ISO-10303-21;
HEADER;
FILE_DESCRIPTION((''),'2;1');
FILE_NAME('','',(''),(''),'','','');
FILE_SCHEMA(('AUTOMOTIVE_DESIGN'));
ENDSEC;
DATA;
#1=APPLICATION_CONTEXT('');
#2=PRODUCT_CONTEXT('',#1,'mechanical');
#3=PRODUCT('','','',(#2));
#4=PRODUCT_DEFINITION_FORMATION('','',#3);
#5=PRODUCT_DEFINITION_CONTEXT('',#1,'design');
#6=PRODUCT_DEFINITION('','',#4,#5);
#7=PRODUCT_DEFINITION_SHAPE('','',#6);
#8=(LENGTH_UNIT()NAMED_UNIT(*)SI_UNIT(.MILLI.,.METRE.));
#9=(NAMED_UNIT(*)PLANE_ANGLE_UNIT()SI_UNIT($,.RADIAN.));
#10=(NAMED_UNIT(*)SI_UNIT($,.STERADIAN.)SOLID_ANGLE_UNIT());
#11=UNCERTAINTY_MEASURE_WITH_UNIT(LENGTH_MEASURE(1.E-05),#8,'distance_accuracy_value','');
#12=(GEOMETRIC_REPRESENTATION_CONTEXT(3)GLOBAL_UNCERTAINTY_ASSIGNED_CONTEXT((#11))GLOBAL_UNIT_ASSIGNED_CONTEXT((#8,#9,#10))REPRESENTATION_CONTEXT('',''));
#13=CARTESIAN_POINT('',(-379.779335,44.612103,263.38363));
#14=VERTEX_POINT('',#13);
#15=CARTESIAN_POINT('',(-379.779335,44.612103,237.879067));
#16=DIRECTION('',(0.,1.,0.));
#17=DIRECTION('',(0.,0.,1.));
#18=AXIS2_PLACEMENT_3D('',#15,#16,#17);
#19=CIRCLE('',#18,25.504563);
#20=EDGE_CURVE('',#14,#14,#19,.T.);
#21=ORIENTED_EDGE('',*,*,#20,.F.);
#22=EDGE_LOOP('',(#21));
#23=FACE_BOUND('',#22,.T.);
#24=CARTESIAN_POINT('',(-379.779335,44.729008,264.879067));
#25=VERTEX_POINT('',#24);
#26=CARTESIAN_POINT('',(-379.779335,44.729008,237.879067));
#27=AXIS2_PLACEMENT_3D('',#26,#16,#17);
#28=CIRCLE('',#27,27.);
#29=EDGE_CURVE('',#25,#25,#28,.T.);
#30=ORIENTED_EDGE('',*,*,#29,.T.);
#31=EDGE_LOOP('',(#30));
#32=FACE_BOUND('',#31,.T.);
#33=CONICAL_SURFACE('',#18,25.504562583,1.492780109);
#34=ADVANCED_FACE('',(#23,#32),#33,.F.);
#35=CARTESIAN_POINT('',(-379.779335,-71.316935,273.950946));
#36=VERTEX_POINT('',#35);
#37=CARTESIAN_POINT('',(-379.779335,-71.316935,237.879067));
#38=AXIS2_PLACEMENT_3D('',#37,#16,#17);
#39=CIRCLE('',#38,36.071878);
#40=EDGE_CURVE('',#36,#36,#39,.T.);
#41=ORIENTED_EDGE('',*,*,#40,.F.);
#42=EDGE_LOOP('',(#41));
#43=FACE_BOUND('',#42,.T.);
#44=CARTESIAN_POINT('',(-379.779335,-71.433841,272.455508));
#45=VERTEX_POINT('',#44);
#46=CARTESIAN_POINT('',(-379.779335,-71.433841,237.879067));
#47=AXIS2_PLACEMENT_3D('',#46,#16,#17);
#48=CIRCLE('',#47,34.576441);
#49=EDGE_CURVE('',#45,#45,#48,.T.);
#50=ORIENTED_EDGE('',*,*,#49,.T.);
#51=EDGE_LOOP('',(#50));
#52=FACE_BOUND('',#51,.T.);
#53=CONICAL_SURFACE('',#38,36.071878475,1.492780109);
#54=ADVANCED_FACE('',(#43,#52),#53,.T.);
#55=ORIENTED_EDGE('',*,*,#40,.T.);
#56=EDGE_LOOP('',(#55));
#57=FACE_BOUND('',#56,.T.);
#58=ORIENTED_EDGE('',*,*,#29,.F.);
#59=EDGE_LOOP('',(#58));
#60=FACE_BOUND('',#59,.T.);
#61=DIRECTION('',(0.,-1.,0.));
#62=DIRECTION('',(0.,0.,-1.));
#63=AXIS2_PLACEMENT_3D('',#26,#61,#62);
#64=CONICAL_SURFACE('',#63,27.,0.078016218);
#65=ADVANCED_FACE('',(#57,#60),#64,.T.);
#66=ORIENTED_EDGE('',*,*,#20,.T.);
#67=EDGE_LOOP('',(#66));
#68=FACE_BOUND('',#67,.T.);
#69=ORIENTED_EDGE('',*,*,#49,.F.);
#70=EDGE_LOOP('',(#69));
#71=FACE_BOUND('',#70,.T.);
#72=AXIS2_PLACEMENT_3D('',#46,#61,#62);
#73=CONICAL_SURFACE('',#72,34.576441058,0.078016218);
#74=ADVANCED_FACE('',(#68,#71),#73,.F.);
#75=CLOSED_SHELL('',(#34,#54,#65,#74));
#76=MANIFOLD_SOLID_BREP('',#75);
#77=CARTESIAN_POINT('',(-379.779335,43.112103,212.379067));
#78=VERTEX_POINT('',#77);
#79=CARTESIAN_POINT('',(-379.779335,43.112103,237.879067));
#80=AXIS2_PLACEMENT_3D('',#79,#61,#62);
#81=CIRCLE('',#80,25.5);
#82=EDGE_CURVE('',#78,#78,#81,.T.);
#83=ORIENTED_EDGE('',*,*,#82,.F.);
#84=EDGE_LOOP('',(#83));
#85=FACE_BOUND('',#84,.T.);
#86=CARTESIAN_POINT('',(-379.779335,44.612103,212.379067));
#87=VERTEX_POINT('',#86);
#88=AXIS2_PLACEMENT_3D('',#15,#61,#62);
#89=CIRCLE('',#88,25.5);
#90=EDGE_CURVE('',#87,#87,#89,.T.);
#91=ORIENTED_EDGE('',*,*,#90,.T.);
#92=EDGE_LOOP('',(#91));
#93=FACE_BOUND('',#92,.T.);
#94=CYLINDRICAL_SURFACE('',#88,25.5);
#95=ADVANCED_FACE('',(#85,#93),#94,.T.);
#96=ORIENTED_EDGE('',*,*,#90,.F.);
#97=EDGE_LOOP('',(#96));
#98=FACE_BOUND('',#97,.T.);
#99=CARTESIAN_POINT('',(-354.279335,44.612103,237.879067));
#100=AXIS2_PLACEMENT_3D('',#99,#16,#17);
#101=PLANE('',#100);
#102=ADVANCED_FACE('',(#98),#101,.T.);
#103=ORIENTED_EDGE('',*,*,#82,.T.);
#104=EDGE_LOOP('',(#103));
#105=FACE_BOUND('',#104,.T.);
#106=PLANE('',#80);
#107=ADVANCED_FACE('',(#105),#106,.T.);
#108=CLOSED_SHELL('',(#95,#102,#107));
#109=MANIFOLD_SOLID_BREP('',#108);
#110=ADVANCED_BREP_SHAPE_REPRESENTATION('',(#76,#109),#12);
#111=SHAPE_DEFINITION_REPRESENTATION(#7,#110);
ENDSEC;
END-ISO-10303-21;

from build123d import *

# Parameters (mm, degrees)
ESQUISSE5_W = 25.5
ESQUISSE5_H = 1.5


with BuildPart() as part:
    # Esquisse5 → Révolution2 (revolve)
    with BuildSketch(Plane.XY.offset(237.879067036), mode=Mode.PRIVATE) as r_volution2_sk:
        with Locations((-367.02933529, 43.862102616)):
            Rectangle(ESQUISSE5_W, ESQUISSE5_H)
    revolve(r_volution2_sk.sketch.rotate(Axis((-379.77933529, 44.612102616, 237.879067036), (0, -1, 0)), 270), axis=Axis((-379.77933529, 44.612102616, 237.879067036), (0, -1, 0)))


with BuildPart() as body_2:
    # Esquisse10 → Révolution3 (revolve)
    with BuildSketch(Plane(origin=(0, 0, 237.879067036), x_dir=(-1, 0, 0), z_dir=(0, 0, -1)), mode=Mode.PRIVATE) as r_volution3_sk:
        Polygon((343.707456815, -71.316935312), (345.202894233, -71.433840962), (354.274772708, 44.612102616), (352.77933529, 44.729008266), align=None)
    revolve(r_volution3_sk.sketch.rotate(Axis((-379.77933529, -71.433840962, 237.879067036), (0, 1, 0)), 270), axis=Axis((-379.77933529, -71.433840962, 237.879067036), (0, 1, 0)))


solid = Compound([part.part, body_2.part])
